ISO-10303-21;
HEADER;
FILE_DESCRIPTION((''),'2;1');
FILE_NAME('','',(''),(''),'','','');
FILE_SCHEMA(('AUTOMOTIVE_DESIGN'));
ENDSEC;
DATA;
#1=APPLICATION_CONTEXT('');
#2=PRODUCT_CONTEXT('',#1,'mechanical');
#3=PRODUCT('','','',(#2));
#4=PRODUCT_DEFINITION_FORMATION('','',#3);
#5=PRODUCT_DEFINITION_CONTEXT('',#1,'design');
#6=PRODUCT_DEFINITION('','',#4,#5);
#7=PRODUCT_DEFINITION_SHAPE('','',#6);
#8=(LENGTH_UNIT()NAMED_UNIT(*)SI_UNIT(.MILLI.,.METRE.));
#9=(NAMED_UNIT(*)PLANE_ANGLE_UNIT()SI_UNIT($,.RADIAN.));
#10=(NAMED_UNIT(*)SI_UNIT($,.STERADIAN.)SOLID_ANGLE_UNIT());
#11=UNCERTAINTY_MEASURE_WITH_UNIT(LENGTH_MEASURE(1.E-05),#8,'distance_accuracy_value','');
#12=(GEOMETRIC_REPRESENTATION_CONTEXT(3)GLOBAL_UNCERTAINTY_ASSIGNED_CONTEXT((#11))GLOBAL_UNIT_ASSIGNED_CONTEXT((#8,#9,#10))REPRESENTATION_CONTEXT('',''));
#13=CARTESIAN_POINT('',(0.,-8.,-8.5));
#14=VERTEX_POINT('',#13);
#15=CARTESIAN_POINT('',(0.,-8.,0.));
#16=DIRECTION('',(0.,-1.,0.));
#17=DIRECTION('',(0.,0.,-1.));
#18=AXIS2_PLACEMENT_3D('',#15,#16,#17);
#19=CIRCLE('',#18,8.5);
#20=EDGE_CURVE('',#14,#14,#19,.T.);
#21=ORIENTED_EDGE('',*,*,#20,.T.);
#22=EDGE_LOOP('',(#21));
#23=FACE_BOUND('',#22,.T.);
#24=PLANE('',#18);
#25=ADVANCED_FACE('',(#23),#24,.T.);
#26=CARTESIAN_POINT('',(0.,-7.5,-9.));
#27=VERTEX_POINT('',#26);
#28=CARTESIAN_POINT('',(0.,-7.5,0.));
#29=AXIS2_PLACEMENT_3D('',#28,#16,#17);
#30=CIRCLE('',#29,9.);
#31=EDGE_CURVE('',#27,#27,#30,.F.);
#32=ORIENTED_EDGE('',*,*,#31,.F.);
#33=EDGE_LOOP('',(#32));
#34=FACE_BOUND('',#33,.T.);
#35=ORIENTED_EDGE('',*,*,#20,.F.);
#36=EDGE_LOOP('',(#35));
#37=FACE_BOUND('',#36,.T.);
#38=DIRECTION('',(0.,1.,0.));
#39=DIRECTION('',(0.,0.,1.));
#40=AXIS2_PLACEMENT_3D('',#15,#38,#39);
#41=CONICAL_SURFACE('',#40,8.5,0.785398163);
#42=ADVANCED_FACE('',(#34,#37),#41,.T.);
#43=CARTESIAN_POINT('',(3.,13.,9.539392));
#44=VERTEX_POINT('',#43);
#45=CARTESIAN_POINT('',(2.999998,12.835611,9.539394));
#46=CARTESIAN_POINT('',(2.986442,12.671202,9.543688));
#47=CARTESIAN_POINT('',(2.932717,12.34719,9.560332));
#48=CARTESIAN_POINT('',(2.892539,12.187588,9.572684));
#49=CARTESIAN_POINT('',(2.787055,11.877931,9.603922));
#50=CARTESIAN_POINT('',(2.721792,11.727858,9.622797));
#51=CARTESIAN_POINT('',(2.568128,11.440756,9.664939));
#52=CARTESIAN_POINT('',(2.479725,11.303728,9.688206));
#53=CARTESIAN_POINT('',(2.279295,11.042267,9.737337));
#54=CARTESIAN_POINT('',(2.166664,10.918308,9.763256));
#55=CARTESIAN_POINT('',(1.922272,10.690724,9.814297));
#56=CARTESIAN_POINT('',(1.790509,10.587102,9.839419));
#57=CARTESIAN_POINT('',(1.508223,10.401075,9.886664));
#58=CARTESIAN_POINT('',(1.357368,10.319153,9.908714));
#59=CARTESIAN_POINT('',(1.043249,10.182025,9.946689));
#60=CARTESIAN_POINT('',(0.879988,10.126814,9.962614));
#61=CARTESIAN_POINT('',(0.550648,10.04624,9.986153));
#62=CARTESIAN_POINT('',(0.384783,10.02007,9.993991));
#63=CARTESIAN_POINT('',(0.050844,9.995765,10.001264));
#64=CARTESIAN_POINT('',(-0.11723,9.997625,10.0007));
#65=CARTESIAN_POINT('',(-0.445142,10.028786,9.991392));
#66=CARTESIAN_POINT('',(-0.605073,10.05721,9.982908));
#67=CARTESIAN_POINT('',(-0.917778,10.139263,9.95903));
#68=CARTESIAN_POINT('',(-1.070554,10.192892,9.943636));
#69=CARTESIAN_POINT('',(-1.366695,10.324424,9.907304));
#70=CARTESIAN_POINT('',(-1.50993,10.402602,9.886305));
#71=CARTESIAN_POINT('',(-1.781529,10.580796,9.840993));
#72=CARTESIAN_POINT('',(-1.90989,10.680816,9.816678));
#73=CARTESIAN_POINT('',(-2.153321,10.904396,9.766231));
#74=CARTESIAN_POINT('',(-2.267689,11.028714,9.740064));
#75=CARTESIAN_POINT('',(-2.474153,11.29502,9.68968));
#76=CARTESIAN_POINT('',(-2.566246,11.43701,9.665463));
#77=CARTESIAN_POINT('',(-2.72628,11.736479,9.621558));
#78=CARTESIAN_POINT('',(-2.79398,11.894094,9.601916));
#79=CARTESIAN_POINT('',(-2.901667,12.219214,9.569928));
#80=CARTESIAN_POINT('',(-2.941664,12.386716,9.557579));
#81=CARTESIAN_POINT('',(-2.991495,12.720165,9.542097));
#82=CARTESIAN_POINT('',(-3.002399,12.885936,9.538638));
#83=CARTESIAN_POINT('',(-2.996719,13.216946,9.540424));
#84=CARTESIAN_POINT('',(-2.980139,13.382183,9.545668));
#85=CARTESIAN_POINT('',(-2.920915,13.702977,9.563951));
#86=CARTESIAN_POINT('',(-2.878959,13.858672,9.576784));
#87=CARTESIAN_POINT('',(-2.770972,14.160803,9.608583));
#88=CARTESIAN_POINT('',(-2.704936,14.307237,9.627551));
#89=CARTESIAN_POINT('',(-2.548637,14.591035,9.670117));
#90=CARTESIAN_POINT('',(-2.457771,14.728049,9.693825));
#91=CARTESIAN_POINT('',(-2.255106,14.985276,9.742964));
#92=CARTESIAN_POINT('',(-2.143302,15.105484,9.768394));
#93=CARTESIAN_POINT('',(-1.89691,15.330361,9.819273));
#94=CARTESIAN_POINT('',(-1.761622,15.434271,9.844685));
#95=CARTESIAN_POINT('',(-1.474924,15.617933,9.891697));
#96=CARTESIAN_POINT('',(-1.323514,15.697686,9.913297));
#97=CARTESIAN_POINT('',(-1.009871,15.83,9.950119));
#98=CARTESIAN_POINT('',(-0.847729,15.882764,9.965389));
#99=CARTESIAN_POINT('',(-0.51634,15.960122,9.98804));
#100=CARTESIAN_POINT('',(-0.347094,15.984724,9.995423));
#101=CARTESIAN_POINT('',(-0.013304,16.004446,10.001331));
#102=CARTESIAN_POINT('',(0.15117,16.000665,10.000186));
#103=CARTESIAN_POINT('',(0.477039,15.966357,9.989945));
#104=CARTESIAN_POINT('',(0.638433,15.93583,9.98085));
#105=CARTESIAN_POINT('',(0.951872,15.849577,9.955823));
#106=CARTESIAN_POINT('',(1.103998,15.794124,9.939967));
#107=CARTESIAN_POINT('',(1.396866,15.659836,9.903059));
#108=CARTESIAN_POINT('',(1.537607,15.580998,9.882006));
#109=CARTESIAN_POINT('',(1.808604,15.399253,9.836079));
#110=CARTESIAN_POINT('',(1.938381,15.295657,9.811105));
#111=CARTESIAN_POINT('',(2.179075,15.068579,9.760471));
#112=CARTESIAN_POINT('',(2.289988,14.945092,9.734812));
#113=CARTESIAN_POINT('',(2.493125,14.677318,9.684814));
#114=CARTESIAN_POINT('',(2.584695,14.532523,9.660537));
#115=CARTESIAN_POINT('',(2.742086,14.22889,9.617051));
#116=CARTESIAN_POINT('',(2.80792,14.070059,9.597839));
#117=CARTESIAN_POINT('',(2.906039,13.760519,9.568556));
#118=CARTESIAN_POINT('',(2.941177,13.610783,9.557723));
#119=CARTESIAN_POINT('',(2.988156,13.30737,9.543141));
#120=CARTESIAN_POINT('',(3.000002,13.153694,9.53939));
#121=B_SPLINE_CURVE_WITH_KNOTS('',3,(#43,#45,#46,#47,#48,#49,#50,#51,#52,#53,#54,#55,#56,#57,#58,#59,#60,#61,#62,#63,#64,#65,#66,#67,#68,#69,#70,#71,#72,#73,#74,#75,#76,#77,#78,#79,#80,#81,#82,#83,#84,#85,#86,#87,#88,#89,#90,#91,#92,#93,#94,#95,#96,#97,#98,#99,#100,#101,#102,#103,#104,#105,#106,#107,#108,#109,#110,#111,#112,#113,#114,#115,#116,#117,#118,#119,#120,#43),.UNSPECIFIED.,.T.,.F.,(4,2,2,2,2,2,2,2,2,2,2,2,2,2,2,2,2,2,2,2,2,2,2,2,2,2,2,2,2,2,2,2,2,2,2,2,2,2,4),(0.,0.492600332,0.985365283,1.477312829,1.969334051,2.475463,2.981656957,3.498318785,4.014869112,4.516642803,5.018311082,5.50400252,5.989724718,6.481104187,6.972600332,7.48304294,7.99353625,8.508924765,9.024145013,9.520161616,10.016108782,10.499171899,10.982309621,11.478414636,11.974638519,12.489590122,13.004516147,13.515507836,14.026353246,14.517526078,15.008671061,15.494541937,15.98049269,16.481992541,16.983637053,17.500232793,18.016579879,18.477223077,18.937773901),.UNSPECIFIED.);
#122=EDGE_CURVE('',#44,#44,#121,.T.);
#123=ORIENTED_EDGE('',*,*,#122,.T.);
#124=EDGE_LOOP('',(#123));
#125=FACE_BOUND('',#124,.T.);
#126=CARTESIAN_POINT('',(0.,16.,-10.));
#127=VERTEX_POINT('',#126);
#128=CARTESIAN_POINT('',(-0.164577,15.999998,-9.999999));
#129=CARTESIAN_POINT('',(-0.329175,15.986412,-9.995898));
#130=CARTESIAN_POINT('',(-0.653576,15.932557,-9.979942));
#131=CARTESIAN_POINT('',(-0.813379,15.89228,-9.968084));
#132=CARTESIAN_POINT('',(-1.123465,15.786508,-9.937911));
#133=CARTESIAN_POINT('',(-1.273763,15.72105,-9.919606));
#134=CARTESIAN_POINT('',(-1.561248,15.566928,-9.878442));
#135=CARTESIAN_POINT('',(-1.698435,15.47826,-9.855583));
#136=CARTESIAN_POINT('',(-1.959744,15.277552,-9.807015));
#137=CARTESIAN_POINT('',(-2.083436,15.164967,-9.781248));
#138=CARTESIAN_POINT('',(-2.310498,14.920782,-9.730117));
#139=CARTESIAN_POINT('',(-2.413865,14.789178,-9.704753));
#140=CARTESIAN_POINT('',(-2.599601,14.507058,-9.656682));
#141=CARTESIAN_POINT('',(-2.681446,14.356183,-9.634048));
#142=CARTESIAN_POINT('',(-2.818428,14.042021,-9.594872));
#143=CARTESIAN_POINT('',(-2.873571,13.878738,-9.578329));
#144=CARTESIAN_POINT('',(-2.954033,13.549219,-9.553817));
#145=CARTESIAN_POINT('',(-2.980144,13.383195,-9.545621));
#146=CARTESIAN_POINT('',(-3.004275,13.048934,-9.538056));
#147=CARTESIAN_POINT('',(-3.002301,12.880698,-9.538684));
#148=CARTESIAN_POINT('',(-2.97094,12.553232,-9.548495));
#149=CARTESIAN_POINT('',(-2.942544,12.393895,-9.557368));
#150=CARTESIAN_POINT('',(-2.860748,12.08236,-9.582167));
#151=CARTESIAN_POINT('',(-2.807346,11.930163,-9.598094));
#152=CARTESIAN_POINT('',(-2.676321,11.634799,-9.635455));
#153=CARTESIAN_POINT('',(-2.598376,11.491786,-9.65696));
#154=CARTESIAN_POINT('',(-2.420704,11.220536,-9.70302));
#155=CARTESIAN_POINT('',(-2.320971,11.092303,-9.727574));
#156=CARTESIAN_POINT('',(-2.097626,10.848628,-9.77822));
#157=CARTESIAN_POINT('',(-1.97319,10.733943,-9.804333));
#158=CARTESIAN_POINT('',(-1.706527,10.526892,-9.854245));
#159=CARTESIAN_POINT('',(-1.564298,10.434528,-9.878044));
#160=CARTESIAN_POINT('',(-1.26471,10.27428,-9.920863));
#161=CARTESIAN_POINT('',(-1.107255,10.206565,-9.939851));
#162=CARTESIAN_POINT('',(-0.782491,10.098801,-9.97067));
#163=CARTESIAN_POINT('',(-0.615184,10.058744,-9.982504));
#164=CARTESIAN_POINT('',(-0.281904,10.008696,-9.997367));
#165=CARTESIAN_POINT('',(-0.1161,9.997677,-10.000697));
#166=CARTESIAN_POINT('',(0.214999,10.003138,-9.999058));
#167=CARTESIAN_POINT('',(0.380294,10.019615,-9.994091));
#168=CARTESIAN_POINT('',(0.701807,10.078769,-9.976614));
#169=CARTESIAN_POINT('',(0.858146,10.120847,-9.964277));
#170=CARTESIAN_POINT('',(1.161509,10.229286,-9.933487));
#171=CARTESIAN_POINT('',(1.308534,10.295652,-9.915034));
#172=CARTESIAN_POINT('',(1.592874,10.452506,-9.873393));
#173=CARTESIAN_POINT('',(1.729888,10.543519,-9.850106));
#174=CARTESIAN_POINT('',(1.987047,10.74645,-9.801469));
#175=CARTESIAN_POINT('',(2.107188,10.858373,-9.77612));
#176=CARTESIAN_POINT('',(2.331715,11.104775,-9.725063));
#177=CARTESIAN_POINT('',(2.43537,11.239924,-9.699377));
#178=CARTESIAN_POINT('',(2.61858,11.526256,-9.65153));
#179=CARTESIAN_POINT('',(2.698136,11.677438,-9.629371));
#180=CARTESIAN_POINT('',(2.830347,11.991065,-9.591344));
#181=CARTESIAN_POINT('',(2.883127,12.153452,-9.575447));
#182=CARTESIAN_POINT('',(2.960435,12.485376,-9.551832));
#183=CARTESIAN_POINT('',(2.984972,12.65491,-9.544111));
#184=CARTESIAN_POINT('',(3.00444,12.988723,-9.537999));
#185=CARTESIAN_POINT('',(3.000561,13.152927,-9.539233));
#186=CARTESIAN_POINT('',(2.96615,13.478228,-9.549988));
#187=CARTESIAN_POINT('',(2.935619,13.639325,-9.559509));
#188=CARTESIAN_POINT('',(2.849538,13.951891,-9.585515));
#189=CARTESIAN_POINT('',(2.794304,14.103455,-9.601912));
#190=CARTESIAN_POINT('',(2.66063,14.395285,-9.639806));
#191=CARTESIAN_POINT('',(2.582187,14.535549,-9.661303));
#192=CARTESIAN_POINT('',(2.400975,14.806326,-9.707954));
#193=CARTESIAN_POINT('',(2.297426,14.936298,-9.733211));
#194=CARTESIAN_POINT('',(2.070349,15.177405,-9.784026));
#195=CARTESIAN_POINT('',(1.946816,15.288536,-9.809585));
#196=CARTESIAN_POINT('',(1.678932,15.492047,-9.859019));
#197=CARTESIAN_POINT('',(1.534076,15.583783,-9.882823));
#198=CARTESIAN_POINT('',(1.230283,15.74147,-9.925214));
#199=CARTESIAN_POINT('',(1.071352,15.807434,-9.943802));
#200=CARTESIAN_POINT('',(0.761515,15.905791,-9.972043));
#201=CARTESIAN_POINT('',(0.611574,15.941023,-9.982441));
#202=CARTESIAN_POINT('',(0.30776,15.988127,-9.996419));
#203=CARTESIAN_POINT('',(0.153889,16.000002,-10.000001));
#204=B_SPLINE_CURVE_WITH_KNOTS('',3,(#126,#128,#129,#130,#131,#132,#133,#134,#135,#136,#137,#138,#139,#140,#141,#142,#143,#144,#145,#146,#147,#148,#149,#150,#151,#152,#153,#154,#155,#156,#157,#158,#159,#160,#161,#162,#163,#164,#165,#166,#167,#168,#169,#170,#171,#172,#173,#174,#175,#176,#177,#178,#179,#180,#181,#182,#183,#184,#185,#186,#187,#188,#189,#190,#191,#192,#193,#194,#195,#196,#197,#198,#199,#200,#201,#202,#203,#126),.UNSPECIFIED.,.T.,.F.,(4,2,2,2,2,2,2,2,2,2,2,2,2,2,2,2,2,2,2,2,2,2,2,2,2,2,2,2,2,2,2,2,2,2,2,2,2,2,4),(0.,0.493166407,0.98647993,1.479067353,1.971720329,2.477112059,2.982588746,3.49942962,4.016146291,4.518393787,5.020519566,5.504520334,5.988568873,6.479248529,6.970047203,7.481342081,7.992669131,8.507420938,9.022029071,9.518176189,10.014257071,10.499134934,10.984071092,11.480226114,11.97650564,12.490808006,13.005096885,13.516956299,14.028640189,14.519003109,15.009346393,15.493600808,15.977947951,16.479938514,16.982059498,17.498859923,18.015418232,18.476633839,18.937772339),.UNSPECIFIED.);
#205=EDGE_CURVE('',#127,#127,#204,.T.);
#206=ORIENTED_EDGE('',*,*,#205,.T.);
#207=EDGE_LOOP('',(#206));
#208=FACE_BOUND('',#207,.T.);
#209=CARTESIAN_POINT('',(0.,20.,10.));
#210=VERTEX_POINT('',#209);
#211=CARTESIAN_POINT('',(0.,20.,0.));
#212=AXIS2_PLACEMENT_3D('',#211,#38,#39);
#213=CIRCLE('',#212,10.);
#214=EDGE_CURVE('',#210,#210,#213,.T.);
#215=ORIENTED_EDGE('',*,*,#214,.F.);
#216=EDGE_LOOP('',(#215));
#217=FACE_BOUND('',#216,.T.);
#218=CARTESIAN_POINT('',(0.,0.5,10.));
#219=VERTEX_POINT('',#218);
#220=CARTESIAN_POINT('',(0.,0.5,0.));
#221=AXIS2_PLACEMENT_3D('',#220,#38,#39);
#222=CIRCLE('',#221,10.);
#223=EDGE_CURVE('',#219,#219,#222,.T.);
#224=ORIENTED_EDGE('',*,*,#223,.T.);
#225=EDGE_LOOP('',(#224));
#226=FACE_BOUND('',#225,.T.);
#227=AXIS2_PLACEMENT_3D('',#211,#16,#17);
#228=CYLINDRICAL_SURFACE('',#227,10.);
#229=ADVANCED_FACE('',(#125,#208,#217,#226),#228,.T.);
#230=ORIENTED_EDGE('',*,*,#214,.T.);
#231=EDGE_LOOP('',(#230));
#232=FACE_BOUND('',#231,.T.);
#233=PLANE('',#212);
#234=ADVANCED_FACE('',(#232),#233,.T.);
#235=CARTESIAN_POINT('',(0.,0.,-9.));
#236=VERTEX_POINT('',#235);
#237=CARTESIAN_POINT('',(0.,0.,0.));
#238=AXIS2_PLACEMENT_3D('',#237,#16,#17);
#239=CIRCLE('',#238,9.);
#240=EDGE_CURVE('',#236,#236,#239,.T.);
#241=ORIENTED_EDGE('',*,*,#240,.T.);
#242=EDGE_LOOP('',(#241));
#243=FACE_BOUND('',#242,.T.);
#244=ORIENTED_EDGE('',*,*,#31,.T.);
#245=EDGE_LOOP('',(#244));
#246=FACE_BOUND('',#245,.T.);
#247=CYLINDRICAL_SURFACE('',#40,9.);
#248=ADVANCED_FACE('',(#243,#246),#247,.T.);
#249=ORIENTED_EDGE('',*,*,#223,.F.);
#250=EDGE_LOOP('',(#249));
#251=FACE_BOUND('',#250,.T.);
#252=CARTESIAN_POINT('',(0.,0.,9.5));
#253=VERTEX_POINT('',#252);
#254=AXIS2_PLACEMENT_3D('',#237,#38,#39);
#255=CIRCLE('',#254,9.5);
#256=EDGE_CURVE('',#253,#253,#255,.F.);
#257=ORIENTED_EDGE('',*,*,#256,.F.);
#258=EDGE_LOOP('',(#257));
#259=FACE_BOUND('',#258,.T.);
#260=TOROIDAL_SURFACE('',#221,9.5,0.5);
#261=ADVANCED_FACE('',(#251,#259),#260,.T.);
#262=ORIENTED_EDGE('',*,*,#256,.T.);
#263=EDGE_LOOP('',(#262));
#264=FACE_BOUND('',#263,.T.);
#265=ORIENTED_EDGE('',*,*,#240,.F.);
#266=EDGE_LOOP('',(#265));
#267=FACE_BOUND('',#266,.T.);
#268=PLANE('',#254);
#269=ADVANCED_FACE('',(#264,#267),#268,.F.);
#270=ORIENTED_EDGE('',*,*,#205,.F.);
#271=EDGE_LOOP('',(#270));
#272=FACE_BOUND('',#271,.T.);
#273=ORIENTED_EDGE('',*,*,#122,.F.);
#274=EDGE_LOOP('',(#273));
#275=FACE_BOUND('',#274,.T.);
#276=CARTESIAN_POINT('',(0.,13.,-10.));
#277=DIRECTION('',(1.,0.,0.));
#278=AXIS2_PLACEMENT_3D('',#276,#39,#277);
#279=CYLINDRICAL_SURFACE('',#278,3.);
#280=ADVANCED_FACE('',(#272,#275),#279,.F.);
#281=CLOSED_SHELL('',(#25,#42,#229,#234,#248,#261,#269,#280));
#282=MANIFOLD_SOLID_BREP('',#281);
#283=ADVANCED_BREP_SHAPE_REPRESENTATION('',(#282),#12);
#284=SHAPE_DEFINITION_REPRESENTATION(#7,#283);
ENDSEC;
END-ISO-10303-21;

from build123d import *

# Parameters (mm, degrees)
SKETCH_1_R               = 10
EXTRUDE_1_DEPTH          = 20
SKETCH_2_R               = 9
EXTRUDE_2_DEPTH          = 8
SKETCH_3_R               = 3
CUT_EXTRUDE_1_DEPTH      = 11
CUT_EXTRUDE_1_DEPTH_BACK = 11
FILLET_1_R               = 0.5
CHAMFER_1_SIZE           = 0.5


with BuildPart() as part:
    # 草图1 → 凸台-拉伸1 (new body)
    with BuildSketch(Plane(origin=(0, 0, 0), x_dir=(1, 0, 0), z_dir=(0, 1, 0))):
        Circle(SKETCH_1_R)
    extrude(amount=EXTRUDE_1_DEPTH)

    # 草图2 → 凸台-拉伸2 (add)
    with BuildSketch(Plane.XZ):
        Circle(SKETCH_2_R)
    extrude(amount=EXTRUDE_2_DEPTH)

    # 草图3 → 切除-拉伸1 (cut, two sides)
    with BuildSketch(Plane.XY) as cut_extrude_1_sk:
        with Locations((0, 13)):
            Circle(SKETCH_3_R)
    extrude(amount=CUT_EXTRUDE_1_DEPTH, mode=Mode.SUBTRACT)
    extrude(cut_extrude_1_sk.sketch, amount=-CUT_EXTRUDE_1_DEPTH_BACK, mode=Mode.SUBTRACT)

    # 圆角1
    fillet_1_edges = [part.edges().sort_by_distance(p)[0] for p in [
        (-10, 0, 0),
    ]]
    fillet(fillet_1_edges, radius=FILLET_1_R)

    # 倒角1
    chamfer_1_edges = [part.edges().sort_by_distance(p)[0] for p in [
        (-9, -8, 0),
    ]]
    chamfer(chamfer_1_edges, length=CHAMFER_1_SIZE)


solid = part.part
